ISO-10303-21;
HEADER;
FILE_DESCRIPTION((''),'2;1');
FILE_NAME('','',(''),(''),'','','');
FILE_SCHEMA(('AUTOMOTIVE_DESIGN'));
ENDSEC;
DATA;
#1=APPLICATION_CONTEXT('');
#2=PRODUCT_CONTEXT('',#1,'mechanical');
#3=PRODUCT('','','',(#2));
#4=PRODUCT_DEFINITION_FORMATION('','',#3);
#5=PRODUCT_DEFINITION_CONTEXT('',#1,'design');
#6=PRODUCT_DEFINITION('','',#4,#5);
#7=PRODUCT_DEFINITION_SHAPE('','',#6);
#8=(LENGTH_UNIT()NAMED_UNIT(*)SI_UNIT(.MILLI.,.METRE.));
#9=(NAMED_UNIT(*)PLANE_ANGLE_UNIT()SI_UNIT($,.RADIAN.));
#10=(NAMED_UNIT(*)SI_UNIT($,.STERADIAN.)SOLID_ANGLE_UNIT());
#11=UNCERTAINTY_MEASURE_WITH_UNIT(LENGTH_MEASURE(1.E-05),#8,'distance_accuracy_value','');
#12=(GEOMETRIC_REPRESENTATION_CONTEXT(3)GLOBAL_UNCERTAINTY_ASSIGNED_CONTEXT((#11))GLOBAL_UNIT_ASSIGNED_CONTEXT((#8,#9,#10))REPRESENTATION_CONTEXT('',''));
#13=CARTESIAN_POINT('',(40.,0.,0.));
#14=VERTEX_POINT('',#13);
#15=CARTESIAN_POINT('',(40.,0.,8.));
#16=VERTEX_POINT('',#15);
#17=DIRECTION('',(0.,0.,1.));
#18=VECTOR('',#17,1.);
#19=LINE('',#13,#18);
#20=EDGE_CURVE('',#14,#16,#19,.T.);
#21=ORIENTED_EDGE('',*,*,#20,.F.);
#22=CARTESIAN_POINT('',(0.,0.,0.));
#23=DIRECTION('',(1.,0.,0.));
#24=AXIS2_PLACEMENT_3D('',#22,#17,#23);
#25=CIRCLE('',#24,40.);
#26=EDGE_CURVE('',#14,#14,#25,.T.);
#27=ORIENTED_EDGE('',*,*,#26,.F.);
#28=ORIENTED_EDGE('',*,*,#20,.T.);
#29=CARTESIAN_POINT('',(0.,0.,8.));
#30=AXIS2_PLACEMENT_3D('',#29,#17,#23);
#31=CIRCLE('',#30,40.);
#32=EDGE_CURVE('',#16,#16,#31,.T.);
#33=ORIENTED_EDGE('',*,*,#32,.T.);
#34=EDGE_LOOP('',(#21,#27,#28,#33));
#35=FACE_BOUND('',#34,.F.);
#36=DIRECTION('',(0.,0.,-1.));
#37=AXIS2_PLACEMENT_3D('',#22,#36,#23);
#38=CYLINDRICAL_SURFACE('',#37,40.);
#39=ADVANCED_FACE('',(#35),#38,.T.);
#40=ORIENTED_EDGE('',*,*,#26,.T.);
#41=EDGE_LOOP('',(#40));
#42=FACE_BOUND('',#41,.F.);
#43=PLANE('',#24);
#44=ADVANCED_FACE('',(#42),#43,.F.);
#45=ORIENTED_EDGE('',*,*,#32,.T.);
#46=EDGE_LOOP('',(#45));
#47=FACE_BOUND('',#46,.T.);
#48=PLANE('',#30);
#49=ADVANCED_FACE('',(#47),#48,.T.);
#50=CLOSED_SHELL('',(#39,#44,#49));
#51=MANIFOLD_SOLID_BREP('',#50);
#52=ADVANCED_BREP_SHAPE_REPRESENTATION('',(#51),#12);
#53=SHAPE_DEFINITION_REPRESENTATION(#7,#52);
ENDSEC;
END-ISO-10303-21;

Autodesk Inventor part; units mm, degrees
ref_plane "YZ Plane" through (0, 0, 0) normal (1, 0, 0) x (0, 1, 0)
ref_plane "XZ Plane" through (0, 0, 0) normal (0, 1, 0) x (-1, 0, 0)
ref_plane "XY Plane" through (0, 0, 0) normal (0, 0, 1) x (1, 0, 0)
sketch "Sketch1" plane through (0, 0, 0) normal (0, 0, 1) x (1, 0, 0)
  circle A0 centre (0, 0) radius 40
  dimension "SaltDiameter" = 80
extrude "Extrusion1" add sketch "Sketch1" along normal blind 8
properties part number "salt" material "Water"
